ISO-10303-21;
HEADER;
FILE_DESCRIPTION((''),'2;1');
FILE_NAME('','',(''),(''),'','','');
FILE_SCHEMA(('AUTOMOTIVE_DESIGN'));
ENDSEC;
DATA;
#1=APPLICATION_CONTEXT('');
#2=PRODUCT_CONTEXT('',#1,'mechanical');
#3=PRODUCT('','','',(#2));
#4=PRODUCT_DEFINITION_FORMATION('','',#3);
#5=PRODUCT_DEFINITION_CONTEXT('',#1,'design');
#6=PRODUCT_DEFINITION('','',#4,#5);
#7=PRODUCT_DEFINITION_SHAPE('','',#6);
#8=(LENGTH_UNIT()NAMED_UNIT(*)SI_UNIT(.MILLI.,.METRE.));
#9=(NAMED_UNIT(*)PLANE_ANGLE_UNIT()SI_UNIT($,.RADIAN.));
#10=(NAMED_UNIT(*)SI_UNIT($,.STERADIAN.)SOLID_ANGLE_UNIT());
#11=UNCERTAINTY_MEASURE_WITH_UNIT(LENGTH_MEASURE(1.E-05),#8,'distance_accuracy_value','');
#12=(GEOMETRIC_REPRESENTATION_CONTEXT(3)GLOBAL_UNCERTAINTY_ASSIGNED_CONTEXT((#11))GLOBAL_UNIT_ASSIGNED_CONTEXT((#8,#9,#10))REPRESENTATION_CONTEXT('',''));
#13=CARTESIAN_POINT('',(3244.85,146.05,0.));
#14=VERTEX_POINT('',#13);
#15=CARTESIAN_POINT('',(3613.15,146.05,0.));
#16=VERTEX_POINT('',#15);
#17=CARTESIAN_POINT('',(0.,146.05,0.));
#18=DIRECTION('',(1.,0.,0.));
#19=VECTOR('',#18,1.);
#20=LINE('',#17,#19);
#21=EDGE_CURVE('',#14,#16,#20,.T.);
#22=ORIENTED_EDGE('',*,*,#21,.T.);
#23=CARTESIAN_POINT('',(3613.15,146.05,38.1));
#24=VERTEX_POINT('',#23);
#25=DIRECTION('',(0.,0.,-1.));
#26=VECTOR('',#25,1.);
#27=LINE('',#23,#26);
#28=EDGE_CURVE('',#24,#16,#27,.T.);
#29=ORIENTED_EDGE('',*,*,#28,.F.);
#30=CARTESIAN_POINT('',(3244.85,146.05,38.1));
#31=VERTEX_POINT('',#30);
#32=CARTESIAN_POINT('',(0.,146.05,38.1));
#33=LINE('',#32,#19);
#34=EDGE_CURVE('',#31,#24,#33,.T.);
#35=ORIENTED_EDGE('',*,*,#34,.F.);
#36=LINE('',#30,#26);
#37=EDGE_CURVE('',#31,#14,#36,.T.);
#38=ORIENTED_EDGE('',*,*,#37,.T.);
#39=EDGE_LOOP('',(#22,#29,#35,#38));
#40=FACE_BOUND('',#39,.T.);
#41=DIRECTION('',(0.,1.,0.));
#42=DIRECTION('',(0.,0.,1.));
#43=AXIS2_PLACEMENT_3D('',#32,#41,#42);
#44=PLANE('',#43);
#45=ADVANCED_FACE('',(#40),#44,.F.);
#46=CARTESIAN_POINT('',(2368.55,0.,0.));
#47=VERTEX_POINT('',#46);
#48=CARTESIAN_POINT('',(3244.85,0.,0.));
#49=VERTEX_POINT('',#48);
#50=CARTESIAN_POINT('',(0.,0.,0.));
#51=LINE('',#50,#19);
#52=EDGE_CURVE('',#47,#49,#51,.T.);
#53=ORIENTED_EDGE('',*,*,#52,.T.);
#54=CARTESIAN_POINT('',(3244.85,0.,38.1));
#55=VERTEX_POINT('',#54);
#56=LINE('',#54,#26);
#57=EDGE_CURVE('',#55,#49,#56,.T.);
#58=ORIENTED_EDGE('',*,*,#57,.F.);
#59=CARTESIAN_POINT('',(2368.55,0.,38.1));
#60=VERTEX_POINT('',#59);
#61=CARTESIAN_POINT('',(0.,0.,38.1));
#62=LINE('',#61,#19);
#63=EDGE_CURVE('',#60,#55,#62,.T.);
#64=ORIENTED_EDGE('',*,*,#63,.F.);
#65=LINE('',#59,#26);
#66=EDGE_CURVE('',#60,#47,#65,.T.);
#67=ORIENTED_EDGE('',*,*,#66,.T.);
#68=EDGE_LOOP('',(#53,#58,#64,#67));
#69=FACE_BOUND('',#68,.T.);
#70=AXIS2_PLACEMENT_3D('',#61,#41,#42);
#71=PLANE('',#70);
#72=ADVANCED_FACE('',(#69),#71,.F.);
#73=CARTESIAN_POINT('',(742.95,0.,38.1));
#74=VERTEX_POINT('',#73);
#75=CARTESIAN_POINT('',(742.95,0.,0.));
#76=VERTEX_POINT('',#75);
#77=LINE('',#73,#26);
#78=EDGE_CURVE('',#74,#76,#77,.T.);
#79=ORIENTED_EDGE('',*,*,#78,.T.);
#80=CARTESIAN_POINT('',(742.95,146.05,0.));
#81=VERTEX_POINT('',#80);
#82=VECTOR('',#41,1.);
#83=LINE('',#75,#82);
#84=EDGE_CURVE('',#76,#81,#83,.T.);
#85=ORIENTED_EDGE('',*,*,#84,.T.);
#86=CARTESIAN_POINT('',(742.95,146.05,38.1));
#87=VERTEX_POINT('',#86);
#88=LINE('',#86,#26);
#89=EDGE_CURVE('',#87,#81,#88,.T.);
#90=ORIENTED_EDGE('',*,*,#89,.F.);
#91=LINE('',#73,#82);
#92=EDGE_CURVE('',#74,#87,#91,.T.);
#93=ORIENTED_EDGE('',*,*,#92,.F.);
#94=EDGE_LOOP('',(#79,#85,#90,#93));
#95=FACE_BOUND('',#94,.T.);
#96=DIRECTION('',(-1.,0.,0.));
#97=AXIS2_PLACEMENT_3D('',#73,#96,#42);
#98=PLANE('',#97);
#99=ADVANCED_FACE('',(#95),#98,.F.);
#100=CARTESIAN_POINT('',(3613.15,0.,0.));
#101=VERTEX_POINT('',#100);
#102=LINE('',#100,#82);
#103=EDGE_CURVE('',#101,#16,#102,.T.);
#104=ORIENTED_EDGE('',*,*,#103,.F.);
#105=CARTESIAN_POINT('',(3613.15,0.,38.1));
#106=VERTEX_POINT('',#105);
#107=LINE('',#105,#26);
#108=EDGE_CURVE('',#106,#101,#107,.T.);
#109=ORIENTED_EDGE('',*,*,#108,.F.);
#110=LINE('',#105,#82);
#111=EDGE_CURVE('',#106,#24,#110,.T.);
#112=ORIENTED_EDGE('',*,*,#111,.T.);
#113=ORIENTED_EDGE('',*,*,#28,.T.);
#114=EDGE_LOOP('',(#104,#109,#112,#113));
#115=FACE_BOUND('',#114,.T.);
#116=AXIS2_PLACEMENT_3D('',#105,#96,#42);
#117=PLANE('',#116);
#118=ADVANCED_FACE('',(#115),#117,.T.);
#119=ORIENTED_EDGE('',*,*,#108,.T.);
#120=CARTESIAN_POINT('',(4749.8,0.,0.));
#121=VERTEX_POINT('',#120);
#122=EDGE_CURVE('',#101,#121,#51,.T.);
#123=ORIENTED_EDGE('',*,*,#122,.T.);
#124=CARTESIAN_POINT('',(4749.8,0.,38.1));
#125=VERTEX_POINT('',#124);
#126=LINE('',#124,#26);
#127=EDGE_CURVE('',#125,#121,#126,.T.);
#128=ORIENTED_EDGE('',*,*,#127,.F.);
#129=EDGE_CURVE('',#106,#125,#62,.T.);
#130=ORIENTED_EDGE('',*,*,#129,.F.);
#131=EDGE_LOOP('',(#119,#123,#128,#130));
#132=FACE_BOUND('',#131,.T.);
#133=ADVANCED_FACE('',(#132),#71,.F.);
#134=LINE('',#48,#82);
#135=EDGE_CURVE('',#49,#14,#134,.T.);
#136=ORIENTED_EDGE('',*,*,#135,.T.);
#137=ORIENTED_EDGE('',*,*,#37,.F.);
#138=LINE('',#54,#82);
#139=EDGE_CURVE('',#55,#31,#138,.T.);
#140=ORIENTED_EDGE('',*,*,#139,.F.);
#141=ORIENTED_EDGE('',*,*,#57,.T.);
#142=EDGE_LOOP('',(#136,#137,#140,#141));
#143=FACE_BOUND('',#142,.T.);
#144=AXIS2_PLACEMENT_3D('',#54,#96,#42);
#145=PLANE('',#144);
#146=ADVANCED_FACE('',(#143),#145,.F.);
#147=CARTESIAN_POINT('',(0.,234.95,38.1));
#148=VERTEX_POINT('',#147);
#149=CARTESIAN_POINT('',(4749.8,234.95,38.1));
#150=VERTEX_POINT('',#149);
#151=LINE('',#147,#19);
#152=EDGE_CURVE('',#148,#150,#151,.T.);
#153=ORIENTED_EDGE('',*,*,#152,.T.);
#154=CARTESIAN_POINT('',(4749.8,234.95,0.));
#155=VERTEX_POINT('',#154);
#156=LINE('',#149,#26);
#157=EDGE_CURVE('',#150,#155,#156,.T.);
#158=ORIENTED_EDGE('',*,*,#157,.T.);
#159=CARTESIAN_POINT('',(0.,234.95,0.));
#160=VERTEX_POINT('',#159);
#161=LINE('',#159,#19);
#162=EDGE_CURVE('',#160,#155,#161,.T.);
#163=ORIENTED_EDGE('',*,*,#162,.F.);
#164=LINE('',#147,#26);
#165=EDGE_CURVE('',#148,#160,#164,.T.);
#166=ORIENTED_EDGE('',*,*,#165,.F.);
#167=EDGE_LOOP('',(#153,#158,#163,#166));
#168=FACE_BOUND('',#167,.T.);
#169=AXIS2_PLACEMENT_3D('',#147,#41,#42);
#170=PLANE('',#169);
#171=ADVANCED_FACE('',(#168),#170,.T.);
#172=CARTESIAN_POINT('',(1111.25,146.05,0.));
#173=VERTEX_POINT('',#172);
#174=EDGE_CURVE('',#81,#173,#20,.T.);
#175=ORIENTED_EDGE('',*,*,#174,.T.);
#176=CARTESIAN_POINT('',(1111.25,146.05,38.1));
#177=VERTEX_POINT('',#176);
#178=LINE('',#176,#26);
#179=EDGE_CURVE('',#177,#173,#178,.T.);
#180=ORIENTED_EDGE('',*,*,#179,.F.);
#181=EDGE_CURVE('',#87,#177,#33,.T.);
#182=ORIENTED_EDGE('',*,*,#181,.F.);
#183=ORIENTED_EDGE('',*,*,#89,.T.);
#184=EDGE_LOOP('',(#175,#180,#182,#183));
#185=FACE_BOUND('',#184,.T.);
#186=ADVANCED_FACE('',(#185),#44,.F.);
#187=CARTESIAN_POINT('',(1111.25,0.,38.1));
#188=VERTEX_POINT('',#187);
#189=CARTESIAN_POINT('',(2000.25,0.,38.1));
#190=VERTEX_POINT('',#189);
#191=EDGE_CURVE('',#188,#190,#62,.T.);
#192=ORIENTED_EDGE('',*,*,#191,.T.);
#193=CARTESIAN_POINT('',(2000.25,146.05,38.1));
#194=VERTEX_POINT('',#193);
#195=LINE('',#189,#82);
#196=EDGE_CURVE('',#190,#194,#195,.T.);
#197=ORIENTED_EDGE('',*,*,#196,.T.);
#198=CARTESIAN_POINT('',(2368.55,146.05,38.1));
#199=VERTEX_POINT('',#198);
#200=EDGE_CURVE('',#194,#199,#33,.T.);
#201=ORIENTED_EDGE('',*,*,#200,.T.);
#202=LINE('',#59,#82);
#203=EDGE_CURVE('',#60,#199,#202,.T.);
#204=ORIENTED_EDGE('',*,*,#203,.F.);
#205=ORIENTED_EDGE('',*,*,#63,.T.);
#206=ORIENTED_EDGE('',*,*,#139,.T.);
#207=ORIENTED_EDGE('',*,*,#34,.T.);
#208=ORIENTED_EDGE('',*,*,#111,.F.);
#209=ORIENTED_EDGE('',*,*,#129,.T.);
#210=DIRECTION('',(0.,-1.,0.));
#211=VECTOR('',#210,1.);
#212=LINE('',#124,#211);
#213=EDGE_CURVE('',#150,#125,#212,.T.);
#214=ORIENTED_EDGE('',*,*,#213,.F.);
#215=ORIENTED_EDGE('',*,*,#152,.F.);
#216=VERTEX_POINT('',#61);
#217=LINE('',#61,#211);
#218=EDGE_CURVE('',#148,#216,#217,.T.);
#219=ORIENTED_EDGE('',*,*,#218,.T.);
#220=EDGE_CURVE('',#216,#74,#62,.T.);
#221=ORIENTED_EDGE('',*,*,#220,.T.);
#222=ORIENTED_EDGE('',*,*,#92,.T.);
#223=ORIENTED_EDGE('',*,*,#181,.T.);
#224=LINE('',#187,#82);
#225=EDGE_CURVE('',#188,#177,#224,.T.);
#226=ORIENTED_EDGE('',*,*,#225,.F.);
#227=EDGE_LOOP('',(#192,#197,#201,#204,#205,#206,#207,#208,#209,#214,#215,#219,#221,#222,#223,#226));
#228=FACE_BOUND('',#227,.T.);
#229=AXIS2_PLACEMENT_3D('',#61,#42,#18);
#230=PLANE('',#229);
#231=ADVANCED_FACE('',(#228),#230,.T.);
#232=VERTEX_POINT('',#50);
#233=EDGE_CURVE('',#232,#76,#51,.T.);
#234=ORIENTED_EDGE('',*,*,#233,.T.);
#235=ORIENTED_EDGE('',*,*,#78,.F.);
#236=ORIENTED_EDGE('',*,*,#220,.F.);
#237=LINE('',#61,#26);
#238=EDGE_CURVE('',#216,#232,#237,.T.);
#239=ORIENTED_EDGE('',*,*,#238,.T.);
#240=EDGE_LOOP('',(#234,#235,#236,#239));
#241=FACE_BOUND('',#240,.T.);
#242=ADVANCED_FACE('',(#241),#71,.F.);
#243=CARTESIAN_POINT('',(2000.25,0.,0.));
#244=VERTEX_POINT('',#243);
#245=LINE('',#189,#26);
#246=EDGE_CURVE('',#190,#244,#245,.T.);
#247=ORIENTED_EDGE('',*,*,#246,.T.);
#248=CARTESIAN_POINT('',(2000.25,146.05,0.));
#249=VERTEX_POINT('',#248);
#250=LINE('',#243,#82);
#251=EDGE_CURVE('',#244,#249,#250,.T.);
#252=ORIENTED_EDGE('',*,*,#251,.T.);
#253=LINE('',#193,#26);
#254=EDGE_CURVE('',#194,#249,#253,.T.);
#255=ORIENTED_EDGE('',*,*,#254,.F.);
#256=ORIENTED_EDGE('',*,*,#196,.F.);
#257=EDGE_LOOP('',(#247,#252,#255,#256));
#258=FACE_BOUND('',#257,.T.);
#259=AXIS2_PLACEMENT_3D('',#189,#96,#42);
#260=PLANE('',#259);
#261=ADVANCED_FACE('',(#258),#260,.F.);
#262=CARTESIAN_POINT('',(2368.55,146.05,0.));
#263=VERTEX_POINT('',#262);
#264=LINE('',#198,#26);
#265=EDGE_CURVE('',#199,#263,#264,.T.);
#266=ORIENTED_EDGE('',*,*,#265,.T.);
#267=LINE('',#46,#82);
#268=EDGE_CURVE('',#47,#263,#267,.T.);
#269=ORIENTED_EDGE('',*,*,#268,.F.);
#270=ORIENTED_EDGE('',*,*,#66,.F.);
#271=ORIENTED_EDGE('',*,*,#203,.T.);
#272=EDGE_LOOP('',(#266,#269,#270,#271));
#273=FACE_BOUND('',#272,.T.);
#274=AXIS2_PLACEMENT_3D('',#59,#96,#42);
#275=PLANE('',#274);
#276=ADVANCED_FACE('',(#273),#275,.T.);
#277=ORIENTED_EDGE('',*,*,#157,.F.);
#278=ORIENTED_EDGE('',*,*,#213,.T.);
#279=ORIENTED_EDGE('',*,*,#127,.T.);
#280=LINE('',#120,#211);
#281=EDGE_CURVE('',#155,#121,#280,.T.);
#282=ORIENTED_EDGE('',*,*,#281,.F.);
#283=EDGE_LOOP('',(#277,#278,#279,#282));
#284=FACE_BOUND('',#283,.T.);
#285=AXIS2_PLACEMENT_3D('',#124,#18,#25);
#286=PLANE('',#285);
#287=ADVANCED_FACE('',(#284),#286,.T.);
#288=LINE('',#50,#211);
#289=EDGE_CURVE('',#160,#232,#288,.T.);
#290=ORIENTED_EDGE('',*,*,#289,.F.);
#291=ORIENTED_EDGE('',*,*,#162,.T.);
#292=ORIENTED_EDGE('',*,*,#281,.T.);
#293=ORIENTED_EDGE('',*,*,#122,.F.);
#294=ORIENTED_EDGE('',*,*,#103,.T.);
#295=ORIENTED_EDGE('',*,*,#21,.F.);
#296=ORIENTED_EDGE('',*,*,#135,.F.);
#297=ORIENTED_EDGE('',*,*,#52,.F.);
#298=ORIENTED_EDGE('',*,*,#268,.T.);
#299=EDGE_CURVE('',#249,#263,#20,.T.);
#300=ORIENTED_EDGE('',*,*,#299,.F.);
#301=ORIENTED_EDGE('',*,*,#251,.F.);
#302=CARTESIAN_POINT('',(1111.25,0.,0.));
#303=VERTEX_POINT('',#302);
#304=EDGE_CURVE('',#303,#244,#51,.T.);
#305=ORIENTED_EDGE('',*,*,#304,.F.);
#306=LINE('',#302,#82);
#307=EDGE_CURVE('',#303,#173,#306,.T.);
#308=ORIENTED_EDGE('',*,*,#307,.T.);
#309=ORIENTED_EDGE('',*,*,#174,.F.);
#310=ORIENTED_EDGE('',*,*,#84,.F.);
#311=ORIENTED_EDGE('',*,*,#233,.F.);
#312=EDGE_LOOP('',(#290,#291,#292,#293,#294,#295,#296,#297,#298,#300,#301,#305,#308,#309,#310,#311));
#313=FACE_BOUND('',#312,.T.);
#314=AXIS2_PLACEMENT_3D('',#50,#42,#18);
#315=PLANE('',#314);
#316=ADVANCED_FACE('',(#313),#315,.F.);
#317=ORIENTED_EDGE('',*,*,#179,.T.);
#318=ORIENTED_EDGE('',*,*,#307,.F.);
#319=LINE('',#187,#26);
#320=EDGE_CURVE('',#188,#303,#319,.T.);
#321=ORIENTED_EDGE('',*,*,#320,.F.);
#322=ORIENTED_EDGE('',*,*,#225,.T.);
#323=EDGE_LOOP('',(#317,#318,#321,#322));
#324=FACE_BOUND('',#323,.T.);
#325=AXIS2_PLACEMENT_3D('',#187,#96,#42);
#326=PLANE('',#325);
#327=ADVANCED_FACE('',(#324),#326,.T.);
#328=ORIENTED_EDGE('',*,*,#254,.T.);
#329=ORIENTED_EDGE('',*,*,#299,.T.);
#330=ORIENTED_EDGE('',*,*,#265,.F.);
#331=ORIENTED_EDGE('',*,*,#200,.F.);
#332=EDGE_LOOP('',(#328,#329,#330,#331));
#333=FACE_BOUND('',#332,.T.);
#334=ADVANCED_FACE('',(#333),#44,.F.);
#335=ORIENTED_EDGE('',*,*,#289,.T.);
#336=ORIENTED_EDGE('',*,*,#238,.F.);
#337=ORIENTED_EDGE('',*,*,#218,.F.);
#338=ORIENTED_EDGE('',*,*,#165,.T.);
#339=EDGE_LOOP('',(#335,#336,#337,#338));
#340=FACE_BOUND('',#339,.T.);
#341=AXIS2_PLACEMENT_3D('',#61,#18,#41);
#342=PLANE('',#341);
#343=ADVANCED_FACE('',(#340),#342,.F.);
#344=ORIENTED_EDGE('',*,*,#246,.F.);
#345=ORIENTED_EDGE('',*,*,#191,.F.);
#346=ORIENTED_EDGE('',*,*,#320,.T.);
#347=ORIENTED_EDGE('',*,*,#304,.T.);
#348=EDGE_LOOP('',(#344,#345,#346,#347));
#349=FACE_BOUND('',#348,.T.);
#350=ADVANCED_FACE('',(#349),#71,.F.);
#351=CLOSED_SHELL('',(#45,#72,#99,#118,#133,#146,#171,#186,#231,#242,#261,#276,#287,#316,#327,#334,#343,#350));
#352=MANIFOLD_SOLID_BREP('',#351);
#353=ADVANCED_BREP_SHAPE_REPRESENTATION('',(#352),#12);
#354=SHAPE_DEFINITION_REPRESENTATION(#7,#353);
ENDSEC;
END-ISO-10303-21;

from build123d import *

# Parameters (mm, degrees)
BOSS_EXTRUDE1_DEPTH = 38.1


with BuildPart() as part:
    # Sketch1 → Boss-Extrude1 (new body)
    with BuildSketch(Plane.XY):
        Polygon((4749.8, 234.95), (0, 234.95), (0, 0), (742.95, 0), (742.95, 146.05), (1111.25, 146.05), (1111.25, 0), (2000.25, 0), (2000.25, 146.05), (2368.55, 146.05), (2368.55, 0), (3244.85, 0), (3244.85, 146.05), (3613.15, 146.05), (3613.15, 0), (4749.8, 0), align=None)
    extrude(amount=BOSS_EXTRUDE1_DEPTH)


solid = part.part
